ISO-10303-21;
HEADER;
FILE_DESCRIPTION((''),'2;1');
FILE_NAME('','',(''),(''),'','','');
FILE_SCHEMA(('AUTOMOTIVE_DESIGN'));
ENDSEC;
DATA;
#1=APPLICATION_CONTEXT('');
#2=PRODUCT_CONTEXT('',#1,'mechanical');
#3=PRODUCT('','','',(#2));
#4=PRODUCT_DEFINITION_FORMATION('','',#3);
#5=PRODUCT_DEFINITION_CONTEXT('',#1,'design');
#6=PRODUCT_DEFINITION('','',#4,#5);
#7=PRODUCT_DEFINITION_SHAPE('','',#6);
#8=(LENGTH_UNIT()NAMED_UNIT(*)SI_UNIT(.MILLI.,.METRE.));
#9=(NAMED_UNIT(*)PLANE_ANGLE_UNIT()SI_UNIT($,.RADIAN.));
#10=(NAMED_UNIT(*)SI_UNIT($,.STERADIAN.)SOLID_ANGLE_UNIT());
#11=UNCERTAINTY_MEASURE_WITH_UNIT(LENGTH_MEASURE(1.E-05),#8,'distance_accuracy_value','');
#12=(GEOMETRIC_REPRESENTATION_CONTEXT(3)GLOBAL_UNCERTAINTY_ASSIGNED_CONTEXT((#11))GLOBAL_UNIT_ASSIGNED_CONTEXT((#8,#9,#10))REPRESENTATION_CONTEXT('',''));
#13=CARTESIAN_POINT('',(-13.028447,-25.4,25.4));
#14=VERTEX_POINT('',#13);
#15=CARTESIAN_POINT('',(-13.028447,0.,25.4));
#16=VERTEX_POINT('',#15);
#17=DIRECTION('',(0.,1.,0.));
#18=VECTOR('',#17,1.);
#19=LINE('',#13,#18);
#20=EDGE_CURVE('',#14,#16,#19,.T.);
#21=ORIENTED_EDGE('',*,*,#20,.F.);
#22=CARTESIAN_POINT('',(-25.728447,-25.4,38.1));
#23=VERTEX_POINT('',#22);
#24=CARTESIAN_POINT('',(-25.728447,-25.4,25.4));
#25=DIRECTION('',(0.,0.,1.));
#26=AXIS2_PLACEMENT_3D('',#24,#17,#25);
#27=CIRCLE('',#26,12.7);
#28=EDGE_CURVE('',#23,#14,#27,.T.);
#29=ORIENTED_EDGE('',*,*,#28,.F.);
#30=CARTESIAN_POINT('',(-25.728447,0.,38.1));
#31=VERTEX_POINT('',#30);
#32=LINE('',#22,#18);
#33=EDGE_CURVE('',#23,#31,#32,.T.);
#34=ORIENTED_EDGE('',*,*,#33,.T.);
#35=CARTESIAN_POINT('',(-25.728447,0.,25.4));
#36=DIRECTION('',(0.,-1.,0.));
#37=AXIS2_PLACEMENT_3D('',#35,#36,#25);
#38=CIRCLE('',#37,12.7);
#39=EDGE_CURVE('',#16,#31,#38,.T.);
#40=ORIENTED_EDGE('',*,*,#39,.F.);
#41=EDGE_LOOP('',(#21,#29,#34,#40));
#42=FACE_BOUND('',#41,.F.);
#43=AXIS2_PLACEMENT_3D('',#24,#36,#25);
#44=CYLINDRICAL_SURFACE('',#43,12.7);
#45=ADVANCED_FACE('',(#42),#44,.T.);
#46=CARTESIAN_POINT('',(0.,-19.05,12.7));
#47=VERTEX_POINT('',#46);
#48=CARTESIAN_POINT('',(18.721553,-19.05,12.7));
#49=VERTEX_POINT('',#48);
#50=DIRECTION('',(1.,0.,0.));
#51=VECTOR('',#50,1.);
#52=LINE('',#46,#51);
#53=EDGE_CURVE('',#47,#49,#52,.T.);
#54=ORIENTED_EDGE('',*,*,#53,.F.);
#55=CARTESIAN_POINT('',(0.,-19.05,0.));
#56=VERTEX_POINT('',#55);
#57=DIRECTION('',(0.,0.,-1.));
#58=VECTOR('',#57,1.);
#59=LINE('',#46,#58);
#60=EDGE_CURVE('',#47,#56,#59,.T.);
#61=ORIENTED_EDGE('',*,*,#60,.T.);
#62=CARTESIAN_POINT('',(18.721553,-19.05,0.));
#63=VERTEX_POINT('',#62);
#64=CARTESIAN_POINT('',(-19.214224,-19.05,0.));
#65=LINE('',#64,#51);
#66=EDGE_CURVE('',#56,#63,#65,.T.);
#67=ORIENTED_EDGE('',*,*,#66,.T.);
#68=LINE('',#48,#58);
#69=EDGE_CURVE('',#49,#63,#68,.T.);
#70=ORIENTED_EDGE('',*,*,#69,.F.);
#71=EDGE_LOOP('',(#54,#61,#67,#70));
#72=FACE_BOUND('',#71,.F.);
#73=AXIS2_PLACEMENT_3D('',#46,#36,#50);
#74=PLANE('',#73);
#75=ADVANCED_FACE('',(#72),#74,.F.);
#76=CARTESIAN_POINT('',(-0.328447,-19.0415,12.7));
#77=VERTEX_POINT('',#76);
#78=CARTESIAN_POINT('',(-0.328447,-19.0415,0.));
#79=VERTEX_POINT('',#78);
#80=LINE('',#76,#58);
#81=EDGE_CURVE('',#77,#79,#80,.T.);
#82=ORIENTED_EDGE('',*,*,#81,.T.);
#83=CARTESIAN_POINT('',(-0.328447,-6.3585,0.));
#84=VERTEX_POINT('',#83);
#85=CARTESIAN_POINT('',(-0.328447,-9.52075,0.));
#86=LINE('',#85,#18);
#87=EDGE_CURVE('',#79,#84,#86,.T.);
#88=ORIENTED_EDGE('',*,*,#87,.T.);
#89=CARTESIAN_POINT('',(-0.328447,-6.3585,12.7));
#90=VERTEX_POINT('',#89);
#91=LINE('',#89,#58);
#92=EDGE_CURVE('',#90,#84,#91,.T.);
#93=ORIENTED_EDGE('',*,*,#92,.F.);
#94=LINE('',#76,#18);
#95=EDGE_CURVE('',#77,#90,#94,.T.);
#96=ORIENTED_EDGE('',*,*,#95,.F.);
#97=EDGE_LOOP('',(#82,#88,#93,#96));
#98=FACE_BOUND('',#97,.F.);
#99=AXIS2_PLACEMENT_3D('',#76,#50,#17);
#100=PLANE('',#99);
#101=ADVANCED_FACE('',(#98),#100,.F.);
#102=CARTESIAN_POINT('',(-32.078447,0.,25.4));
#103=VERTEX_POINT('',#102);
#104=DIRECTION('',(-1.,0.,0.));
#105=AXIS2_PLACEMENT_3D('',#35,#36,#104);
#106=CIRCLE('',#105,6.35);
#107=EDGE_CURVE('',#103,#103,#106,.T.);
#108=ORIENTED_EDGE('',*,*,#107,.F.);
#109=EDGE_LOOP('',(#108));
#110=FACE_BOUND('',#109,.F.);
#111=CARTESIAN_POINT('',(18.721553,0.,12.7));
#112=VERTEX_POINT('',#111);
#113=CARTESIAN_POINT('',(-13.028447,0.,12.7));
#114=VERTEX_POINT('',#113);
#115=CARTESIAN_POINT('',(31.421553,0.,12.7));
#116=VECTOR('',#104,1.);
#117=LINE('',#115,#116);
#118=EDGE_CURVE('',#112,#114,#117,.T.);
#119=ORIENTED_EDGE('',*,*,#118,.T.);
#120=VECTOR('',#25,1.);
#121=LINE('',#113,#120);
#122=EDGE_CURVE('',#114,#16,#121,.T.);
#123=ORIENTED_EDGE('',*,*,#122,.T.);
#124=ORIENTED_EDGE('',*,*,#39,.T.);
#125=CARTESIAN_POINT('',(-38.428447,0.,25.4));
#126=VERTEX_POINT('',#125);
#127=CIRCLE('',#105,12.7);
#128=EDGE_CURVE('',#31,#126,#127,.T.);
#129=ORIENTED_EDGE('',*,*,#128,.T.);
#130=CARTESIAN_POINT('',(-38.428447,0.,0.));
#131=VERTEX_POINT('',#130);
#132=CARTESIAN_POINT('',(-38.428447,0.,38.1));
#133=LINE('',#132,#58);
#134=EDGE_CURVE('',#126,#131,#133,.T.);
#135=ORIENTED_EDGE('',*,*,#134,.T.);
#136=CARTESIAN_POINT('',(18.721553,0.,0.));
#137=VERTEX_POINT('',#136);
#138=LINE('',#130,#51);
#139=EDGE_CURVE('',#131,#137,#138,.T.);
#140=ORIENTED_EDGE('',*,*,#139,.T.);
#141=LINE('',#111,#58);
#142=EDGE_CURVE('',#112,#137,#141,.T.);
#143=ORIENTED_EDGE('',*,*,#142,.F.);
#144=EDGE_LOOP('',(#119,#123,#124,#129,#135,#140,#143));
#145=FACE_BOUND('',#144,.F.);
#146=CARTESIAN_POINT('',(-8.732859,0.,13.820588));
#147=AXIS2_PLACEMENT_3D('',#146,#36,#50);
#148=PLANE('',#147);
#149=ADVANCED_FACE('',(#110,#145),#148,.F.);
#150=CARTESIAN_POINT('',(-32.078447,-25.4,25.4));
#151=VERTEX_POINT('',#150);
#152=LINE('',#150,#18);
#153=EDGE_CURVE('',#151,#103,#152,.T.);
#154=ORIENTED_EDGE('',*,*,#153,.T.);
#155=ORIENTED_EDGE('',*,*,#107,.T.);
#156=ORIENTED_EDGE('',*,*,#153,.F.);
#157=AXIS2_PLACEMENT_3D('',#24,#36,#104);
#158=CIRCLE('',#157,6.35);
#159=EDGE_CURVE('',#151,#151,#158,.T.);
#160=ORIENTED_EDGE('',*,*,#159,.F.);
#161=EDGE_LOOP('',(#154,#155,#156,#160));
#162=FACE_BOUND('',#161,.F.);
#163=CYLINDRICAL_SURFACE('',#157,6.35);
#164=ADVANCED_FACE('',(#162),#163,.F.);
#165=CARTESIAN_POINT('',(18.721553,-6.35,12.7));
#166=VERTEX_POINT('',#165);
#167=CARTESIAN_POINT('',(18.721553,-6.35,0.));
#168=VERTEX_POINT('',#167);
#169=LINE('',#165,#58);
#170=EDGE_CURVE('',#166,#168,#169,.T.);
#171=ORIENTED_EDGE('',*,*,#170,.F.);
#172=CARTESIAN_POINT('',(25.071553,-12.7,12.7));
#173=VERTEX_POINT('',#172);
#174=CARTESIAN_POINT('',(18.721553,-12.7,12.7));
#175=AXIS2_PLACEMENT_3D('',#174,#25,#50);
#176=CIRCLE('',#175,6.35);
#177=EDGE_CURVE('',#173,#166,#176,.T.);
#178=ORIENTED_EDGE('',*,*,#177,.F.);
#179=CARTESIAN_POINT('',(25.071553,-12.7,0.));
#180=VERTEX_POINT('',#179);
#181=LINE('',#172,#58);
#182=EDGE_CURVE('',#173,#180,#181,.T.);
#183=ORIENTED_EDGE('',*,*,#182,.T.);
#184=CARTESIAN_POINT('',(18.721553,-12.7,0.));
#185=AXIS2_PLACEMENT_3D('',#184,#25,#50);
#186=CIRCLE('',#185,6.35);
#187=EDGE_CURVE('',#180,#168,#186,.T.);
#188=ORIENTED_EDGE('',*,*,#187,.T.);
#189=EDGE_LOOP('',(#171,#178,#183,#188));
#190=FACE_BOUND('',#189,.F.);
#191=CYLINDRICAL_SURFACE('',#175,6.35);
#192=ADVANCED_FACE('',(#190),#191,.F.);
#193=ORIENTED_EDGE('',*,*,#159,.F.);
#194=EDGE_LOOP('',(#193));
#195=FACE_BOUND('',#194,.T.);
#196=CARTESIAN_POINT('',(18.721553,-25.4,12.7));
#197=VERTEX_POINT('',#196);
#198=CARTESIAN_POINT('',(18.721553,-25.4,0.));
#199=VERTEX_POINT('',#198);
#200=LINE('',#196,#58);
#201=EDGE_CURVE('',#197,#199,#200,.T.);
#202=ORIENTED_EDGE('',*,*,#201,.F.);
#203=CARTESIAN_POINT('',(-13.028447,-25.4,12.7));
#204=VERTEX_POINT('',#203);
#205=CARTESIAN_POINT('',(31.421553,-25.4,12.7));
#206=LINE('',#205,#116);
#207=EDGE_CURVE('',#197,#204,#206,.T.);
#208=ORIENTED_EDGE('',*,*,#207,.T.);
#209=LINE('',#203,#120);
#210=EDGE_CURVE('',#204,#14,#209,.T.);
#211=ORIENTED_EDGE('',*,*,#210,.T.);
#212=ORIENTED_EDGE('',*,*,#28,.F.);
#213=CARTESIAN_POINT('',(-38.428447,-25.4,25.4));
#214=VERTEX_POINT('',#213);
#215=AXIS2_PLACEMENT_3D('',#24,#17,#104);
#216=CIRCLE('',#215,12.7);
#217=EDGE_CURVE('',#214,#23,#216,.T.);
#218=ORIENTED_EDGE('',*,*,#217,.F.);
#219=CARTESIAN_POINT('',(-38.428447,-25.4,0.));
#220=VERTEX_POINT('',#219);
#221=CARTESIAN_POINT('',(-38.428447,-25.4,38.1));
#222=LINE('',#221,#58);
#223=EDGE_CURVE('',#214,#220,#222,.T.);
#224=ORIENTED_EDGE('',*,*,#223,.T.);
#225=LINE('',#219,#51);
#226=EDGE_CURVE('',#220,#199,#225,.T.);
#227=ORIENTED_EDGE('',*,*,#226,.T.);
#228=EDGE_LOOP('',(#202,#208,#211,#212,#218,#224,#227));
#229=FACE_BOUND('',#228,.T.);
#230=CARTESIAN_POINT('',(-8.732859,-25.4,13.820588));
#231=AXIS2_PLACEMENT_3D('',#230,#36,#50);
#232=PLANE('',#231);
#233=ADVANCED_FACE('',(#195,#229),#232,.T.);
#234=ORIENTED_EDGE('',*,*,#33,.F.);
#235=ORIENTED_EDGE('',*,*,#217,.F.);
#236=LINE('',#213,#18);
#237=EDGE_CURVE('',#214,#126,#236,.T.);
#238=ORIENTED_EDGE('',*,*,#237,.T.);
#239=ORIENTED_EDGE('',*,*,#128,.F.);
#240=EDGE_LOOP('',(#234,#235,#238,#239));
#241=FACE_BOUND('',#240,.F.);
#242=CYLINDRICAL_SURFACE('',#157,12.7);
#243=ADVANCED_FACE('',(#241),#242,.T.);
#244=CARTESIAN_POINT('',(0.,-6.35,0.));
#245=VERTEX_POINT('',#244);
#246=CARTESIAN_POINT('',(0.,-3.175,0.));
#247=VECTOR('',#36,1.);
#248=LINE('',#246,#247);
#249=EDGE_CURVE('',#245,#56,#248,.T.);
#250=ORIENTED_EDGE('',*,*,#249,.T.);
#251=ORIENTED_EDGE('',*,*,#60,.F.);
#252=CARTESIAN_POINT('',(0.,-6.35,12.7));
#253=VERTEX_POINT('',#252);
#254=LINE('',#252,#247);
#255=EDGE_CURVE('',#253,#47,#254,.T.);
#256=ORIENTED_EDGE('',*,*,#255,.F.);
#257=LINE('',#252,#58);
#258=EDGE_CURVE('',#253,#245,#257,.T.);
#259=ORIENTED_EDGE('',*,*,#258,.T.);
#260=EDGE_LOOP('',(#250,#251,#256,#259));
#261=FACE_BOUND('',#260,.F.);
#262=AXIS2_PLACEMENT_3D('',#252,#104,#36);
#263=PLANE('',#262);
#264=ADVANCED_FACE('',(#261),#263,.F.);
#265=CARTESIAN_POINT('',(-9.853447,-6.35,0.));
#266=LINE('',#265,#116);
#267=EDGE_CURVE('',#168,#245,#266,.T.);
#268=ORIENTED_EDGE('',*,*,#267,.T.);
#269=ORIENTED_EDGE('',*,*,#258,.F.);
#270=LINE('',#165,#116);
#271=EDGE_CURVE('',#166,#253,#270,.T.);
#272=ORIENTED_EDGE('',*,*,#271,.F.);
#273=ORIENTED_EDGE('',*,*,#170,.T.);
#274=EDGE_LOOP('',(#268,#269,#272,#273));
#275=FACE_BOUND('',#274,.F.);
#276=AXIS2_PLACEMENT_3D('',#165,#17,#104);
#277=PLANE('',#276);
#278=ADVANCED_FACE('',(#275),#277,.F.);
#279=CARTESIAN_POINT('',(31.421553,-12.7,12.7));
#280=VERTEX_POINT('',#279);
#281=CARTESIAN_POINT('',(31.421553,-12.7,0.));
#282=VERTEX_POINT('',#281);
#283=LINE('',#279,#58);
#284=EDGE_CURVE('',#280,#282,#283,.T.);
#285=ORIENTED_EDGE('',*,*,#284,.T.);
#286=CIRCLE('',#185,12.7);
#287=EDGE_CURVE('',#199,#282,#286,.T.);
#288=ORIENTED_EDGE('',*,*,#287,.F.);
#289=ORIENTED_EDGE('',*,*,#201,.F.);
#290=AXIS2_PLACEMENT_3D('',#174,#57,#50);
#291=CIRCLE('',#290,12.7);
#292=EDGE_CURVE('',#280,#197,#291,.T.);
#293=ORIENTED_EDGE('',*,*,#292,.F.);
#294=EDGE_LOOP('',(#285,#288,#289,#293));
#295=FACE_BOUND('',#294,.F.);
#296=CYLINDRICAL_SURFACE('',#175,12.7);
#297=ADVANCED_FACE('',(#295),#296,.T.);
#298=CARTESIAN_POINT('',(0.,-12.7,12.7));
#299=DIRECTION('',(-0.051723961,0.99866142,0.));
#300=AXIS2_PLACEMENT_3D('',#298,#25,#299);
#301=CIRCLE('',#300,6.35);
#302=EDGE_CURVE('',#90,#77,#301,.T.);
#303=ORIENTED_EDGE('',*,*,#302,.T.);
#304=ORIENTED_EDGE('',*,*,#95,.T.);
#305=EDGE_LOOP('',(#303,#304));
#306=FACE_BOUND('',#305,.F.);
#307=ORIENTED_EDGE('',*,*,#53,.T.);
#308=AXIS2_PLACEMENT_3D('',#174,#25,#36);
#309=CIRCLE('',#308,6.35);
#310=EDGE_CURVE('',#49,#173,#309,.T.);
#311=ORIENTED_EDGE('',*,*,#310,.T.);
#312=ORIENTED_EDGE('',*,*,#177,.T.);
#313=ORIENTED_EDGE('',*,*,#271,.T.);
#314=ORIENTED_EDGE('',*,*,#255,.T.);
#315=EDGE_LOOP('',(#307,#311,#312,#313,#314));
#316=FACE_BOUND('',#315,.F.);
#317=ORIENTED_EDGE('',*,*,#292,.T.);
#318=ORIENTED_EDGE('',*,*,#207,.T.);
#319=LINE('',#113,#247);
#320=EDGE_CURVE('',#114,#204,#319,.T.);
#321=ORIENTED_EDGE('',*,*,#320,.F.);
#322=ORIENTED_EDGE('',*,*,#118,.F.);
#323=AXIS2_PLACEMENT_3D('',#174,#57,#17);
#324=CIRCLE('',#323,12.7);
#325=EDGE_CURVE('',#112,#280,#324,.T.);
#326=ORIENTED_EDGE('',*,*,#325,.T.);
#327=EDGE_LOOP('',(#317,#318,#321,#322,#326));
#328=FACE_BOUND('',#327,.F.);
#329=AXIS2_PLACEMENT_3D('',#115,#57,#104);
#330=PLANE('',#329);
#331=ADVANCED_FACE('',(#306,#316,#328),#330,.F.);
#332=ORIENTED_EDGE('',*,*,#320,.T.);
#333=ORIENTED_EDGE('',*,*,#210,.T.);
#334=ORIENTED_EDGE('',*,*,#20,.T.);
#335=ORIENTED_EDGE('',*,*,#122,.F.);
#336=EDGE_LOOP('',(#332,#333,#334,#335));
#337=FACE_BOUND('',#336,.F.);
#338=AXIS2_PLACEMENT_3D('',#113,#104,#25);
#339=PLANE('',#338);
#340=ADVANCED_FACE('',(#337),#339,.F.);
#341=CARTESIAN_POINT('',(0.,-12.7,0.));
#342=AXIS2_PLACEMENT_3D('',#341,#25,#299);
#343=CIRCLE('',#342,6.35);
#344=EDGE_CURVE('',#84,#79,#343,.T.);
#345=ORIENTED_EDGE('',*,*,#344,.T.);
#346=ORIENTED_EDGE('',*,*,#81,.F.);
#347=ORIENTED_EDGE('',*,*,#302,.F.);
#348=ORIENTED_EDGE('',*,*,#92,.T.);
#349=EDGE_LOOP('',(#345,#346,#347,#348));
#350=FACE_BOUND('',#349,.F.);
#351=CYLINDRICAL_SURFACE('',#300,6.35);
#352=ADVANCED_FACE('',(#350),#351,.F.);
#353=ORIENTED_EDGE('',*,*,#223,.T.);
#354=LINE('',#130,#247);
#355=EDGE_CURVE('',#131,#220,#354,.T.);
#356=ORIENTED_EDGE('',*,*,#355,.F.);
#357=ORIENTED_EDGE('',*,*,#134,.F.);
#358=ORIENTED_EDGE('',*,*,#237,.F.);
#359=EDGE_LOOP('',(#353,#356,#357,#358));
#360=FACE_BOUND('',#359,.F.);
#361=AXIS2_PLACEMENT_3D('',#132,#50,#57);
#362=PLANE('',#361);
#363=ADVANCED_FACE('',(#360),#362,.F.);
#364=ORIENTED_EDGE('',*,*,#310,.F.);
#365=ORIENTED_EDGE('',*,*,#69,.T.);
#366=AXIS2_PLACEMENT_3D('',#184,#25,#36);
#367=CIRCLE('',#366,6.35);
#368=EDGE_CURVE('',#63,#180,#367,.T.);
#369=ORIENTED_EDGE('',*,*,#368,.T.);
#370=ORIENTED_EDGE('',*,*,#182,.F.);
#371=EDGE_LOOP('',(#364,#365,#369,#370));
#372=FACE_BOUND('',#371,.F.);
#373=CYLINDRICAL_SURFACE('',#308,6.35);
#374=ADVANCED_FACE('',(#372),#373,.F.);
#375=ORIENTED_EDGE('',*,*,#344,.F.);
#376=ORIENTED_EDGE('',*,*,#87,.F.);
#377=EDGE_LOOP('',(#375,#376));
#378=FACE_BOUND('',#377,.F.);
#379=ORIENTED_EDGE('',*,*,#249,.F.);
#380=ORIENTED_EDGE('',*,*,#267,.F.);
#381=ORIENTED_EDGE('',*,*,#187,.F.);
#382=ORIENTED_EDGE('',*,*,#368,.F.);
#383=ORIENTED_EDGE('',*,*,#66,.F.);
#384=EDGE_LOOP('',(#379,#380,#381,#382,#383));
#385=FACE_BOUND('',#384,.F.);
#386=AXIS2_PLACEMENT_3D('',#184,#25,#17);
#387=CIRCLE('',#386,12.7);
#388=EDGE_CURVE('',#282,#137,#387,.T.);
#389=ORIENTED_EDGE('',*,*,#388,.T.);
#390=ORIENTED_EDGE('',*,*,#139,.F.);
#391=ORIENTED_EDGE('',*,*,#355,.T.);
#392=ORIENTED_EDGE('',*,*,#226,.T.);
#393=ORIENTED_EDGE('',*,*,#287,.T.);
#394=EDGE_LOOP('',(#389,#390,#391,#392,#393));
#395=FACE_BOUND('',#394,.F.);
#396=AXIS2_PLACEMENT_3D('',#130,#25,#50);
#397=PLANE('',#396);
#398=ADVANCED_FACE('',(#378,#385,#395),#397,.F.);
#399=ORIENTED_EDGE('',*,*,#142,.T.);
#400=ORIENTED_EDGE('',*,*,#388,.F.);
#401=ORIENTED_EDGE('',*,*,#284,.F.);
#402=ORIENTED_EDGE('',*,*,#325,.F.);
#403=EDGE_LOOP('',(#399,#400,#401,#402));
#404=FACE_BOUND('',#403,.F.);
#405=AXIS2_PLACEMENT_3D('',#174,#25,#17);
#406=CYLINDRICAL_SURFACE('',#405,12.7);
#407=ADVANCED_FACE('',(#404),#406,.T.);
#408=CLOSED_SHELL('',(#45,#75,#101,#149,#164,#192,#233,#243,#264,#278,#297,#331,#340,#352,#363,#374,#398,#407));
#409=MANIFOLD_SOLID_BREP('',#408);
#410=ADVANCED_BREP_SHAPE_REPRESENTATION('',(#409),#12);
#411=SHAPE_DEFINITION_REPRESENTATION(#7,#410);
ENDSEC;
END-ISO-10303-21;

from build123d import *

# Parameters (mm, degrees)
F1_DEPTH = 25.4
F3_DEPTH = 25.401
F5_DEPTH = 12.701


with BuildPart() as f1:
    # F0 (on Front) → F1 (new body)
    with BuildSketch(Plane.XZ):
        Polygon((-38.4284471544, 38.1), (-38.4284471544, 0), (31.4215528456, 0), (31.4215528456, 12.7), (-13.0284471544, 12.7), (-13.0284471544, 38.1), align=None)
    extrude(amount=F1_DEPTH)

    # F2 (on face) → F3 (cut, through all)
    with BuildSketch(Plane.XZ.offset(25.4)):
        with BuildLine():
            ThreePointArc((-38.4284471544, 25.4), (-34.7087032754, 34.3802561211), (-25.7284471544, 38.1))
            Line((-25.7284471544, 38.1), (-38.4284471544, 38.1))
            Line((-38.4284471544, 38.1), (-38.4284471544, 25.4))
        make_face()
        with BuildLine():
            ThreePointArc((-25.7284471544, 38.1), (-16.7481910333, 34.3802561211), (-13.0284471544, 25.4))
            Line((-13.0284471544, 25.4), (-13.0284471544, 38.1))
            Line((-13.0284471544, 38.1), (-25.7284471544, 38.1))
        make_face()
        with BuildLine():
            Line((-32.0784471544, 25.4), (-19.3784471544, 25.4))
            ThreePointArc((-19.3784471544, 25.4), (-25.7284471544, 31.75), (-32.0784471544, 25.4))
        make_face()
        with BuildLine():
            ThreePointArc((-32.0784471544, 25.4), (-25.7284471544, 19.05), (-19.3784471544, 25.4))
            Line((-19.3784471544, 25.4), (-32.0784471544, 25.4))
        make_face()
    extrude(amount=-F3_DEPTH, mode=Mode.SUBTRACT)

    # F4 (on face) → F5 (cut, through all)
    with BuildSketch(Plane.XY.offset(12.7)):
        with BuildLine():
            ThreePointArc((6.35, -12.7), (4.4901280605, -8.2098719395), (0, -6.35))
            Line((0, -6.35), (0, -19.05))
            ThreePointArc((0, -19.05), (4.4901280605, -17.1901280605), (6.35, -12.7))
        make_face()
        with BuildLine():
            Line((-0.3284471544, -19.0415000171), (-0.3284471544, -6.3584999829))
            ThreePointArc((-0.3284471544, -6.3584999829), (-6.35, -12.7), (-0.3284471544, -19.0415000171))
        make_face()
        with BuildLine():
            Line((18.7215528456, -6.35), (0, -6.35))
            ThreePointArc((0, -6.35), (4.4901280605, -8.2098719395), (6.35, -12.7))
            ThreePointArc((6.35, -12.7), (4.4901280605, -17.1901280605), (0, -19.05))
            Line((0, -19.05), (18.7215528456, -19.05))
            ThreePointArc((18.7215528456, -19.05), (12.3715528456, -12.7), (18.7215528456, -6.35))
        make_face()
        with BuildLine():
            Line((18.7215528456, -19.05), (18.7215528456, -6.35))
            ThreePointArc((18.7215528456, -6.35), (12.3715528456, -12.7), (18.7215528456, -19.05))
        make_face()
        with BuildLine():
            ThreePointArc((25.0715528456, -12.7), (23.2116809062, -8.2098719395), (18.7215528456, -6.35))
            Line((18.7215528456, -6.35), (18.7215528456, -19.05))
            ThreePointArc((18.7215528456, -19.05), (23.2116809062, -17.1901280605), (25.0715528456, -12.7))
        make_face()
        with BuildLine():
            Line((31.4215528456, 0), (18.7215528456, 0))
            ThreePointArc((18.7215528456, 0), (27.7018089667, -3.7197438789), (31.4215528456, -12.7))
            Line((31.4215528456, -12.7), (31.4215528456, 0))
        make_face()
        with BuildLine():
            Line((31.4215528456, -25.4), (31.4215528456, -12.7))
            ThreePointArc((31.4215528456, -12.7), (27.7018089667, -21.6802561211), (18.7215528456, -25.4))
            Line((18.7215528456, -25.4), (31.4215528456, -25.4))
        make_face()
    extrude(amount=-F5_DEPTH, mode=Mode.SUBTRACT)


solid = f1.part
